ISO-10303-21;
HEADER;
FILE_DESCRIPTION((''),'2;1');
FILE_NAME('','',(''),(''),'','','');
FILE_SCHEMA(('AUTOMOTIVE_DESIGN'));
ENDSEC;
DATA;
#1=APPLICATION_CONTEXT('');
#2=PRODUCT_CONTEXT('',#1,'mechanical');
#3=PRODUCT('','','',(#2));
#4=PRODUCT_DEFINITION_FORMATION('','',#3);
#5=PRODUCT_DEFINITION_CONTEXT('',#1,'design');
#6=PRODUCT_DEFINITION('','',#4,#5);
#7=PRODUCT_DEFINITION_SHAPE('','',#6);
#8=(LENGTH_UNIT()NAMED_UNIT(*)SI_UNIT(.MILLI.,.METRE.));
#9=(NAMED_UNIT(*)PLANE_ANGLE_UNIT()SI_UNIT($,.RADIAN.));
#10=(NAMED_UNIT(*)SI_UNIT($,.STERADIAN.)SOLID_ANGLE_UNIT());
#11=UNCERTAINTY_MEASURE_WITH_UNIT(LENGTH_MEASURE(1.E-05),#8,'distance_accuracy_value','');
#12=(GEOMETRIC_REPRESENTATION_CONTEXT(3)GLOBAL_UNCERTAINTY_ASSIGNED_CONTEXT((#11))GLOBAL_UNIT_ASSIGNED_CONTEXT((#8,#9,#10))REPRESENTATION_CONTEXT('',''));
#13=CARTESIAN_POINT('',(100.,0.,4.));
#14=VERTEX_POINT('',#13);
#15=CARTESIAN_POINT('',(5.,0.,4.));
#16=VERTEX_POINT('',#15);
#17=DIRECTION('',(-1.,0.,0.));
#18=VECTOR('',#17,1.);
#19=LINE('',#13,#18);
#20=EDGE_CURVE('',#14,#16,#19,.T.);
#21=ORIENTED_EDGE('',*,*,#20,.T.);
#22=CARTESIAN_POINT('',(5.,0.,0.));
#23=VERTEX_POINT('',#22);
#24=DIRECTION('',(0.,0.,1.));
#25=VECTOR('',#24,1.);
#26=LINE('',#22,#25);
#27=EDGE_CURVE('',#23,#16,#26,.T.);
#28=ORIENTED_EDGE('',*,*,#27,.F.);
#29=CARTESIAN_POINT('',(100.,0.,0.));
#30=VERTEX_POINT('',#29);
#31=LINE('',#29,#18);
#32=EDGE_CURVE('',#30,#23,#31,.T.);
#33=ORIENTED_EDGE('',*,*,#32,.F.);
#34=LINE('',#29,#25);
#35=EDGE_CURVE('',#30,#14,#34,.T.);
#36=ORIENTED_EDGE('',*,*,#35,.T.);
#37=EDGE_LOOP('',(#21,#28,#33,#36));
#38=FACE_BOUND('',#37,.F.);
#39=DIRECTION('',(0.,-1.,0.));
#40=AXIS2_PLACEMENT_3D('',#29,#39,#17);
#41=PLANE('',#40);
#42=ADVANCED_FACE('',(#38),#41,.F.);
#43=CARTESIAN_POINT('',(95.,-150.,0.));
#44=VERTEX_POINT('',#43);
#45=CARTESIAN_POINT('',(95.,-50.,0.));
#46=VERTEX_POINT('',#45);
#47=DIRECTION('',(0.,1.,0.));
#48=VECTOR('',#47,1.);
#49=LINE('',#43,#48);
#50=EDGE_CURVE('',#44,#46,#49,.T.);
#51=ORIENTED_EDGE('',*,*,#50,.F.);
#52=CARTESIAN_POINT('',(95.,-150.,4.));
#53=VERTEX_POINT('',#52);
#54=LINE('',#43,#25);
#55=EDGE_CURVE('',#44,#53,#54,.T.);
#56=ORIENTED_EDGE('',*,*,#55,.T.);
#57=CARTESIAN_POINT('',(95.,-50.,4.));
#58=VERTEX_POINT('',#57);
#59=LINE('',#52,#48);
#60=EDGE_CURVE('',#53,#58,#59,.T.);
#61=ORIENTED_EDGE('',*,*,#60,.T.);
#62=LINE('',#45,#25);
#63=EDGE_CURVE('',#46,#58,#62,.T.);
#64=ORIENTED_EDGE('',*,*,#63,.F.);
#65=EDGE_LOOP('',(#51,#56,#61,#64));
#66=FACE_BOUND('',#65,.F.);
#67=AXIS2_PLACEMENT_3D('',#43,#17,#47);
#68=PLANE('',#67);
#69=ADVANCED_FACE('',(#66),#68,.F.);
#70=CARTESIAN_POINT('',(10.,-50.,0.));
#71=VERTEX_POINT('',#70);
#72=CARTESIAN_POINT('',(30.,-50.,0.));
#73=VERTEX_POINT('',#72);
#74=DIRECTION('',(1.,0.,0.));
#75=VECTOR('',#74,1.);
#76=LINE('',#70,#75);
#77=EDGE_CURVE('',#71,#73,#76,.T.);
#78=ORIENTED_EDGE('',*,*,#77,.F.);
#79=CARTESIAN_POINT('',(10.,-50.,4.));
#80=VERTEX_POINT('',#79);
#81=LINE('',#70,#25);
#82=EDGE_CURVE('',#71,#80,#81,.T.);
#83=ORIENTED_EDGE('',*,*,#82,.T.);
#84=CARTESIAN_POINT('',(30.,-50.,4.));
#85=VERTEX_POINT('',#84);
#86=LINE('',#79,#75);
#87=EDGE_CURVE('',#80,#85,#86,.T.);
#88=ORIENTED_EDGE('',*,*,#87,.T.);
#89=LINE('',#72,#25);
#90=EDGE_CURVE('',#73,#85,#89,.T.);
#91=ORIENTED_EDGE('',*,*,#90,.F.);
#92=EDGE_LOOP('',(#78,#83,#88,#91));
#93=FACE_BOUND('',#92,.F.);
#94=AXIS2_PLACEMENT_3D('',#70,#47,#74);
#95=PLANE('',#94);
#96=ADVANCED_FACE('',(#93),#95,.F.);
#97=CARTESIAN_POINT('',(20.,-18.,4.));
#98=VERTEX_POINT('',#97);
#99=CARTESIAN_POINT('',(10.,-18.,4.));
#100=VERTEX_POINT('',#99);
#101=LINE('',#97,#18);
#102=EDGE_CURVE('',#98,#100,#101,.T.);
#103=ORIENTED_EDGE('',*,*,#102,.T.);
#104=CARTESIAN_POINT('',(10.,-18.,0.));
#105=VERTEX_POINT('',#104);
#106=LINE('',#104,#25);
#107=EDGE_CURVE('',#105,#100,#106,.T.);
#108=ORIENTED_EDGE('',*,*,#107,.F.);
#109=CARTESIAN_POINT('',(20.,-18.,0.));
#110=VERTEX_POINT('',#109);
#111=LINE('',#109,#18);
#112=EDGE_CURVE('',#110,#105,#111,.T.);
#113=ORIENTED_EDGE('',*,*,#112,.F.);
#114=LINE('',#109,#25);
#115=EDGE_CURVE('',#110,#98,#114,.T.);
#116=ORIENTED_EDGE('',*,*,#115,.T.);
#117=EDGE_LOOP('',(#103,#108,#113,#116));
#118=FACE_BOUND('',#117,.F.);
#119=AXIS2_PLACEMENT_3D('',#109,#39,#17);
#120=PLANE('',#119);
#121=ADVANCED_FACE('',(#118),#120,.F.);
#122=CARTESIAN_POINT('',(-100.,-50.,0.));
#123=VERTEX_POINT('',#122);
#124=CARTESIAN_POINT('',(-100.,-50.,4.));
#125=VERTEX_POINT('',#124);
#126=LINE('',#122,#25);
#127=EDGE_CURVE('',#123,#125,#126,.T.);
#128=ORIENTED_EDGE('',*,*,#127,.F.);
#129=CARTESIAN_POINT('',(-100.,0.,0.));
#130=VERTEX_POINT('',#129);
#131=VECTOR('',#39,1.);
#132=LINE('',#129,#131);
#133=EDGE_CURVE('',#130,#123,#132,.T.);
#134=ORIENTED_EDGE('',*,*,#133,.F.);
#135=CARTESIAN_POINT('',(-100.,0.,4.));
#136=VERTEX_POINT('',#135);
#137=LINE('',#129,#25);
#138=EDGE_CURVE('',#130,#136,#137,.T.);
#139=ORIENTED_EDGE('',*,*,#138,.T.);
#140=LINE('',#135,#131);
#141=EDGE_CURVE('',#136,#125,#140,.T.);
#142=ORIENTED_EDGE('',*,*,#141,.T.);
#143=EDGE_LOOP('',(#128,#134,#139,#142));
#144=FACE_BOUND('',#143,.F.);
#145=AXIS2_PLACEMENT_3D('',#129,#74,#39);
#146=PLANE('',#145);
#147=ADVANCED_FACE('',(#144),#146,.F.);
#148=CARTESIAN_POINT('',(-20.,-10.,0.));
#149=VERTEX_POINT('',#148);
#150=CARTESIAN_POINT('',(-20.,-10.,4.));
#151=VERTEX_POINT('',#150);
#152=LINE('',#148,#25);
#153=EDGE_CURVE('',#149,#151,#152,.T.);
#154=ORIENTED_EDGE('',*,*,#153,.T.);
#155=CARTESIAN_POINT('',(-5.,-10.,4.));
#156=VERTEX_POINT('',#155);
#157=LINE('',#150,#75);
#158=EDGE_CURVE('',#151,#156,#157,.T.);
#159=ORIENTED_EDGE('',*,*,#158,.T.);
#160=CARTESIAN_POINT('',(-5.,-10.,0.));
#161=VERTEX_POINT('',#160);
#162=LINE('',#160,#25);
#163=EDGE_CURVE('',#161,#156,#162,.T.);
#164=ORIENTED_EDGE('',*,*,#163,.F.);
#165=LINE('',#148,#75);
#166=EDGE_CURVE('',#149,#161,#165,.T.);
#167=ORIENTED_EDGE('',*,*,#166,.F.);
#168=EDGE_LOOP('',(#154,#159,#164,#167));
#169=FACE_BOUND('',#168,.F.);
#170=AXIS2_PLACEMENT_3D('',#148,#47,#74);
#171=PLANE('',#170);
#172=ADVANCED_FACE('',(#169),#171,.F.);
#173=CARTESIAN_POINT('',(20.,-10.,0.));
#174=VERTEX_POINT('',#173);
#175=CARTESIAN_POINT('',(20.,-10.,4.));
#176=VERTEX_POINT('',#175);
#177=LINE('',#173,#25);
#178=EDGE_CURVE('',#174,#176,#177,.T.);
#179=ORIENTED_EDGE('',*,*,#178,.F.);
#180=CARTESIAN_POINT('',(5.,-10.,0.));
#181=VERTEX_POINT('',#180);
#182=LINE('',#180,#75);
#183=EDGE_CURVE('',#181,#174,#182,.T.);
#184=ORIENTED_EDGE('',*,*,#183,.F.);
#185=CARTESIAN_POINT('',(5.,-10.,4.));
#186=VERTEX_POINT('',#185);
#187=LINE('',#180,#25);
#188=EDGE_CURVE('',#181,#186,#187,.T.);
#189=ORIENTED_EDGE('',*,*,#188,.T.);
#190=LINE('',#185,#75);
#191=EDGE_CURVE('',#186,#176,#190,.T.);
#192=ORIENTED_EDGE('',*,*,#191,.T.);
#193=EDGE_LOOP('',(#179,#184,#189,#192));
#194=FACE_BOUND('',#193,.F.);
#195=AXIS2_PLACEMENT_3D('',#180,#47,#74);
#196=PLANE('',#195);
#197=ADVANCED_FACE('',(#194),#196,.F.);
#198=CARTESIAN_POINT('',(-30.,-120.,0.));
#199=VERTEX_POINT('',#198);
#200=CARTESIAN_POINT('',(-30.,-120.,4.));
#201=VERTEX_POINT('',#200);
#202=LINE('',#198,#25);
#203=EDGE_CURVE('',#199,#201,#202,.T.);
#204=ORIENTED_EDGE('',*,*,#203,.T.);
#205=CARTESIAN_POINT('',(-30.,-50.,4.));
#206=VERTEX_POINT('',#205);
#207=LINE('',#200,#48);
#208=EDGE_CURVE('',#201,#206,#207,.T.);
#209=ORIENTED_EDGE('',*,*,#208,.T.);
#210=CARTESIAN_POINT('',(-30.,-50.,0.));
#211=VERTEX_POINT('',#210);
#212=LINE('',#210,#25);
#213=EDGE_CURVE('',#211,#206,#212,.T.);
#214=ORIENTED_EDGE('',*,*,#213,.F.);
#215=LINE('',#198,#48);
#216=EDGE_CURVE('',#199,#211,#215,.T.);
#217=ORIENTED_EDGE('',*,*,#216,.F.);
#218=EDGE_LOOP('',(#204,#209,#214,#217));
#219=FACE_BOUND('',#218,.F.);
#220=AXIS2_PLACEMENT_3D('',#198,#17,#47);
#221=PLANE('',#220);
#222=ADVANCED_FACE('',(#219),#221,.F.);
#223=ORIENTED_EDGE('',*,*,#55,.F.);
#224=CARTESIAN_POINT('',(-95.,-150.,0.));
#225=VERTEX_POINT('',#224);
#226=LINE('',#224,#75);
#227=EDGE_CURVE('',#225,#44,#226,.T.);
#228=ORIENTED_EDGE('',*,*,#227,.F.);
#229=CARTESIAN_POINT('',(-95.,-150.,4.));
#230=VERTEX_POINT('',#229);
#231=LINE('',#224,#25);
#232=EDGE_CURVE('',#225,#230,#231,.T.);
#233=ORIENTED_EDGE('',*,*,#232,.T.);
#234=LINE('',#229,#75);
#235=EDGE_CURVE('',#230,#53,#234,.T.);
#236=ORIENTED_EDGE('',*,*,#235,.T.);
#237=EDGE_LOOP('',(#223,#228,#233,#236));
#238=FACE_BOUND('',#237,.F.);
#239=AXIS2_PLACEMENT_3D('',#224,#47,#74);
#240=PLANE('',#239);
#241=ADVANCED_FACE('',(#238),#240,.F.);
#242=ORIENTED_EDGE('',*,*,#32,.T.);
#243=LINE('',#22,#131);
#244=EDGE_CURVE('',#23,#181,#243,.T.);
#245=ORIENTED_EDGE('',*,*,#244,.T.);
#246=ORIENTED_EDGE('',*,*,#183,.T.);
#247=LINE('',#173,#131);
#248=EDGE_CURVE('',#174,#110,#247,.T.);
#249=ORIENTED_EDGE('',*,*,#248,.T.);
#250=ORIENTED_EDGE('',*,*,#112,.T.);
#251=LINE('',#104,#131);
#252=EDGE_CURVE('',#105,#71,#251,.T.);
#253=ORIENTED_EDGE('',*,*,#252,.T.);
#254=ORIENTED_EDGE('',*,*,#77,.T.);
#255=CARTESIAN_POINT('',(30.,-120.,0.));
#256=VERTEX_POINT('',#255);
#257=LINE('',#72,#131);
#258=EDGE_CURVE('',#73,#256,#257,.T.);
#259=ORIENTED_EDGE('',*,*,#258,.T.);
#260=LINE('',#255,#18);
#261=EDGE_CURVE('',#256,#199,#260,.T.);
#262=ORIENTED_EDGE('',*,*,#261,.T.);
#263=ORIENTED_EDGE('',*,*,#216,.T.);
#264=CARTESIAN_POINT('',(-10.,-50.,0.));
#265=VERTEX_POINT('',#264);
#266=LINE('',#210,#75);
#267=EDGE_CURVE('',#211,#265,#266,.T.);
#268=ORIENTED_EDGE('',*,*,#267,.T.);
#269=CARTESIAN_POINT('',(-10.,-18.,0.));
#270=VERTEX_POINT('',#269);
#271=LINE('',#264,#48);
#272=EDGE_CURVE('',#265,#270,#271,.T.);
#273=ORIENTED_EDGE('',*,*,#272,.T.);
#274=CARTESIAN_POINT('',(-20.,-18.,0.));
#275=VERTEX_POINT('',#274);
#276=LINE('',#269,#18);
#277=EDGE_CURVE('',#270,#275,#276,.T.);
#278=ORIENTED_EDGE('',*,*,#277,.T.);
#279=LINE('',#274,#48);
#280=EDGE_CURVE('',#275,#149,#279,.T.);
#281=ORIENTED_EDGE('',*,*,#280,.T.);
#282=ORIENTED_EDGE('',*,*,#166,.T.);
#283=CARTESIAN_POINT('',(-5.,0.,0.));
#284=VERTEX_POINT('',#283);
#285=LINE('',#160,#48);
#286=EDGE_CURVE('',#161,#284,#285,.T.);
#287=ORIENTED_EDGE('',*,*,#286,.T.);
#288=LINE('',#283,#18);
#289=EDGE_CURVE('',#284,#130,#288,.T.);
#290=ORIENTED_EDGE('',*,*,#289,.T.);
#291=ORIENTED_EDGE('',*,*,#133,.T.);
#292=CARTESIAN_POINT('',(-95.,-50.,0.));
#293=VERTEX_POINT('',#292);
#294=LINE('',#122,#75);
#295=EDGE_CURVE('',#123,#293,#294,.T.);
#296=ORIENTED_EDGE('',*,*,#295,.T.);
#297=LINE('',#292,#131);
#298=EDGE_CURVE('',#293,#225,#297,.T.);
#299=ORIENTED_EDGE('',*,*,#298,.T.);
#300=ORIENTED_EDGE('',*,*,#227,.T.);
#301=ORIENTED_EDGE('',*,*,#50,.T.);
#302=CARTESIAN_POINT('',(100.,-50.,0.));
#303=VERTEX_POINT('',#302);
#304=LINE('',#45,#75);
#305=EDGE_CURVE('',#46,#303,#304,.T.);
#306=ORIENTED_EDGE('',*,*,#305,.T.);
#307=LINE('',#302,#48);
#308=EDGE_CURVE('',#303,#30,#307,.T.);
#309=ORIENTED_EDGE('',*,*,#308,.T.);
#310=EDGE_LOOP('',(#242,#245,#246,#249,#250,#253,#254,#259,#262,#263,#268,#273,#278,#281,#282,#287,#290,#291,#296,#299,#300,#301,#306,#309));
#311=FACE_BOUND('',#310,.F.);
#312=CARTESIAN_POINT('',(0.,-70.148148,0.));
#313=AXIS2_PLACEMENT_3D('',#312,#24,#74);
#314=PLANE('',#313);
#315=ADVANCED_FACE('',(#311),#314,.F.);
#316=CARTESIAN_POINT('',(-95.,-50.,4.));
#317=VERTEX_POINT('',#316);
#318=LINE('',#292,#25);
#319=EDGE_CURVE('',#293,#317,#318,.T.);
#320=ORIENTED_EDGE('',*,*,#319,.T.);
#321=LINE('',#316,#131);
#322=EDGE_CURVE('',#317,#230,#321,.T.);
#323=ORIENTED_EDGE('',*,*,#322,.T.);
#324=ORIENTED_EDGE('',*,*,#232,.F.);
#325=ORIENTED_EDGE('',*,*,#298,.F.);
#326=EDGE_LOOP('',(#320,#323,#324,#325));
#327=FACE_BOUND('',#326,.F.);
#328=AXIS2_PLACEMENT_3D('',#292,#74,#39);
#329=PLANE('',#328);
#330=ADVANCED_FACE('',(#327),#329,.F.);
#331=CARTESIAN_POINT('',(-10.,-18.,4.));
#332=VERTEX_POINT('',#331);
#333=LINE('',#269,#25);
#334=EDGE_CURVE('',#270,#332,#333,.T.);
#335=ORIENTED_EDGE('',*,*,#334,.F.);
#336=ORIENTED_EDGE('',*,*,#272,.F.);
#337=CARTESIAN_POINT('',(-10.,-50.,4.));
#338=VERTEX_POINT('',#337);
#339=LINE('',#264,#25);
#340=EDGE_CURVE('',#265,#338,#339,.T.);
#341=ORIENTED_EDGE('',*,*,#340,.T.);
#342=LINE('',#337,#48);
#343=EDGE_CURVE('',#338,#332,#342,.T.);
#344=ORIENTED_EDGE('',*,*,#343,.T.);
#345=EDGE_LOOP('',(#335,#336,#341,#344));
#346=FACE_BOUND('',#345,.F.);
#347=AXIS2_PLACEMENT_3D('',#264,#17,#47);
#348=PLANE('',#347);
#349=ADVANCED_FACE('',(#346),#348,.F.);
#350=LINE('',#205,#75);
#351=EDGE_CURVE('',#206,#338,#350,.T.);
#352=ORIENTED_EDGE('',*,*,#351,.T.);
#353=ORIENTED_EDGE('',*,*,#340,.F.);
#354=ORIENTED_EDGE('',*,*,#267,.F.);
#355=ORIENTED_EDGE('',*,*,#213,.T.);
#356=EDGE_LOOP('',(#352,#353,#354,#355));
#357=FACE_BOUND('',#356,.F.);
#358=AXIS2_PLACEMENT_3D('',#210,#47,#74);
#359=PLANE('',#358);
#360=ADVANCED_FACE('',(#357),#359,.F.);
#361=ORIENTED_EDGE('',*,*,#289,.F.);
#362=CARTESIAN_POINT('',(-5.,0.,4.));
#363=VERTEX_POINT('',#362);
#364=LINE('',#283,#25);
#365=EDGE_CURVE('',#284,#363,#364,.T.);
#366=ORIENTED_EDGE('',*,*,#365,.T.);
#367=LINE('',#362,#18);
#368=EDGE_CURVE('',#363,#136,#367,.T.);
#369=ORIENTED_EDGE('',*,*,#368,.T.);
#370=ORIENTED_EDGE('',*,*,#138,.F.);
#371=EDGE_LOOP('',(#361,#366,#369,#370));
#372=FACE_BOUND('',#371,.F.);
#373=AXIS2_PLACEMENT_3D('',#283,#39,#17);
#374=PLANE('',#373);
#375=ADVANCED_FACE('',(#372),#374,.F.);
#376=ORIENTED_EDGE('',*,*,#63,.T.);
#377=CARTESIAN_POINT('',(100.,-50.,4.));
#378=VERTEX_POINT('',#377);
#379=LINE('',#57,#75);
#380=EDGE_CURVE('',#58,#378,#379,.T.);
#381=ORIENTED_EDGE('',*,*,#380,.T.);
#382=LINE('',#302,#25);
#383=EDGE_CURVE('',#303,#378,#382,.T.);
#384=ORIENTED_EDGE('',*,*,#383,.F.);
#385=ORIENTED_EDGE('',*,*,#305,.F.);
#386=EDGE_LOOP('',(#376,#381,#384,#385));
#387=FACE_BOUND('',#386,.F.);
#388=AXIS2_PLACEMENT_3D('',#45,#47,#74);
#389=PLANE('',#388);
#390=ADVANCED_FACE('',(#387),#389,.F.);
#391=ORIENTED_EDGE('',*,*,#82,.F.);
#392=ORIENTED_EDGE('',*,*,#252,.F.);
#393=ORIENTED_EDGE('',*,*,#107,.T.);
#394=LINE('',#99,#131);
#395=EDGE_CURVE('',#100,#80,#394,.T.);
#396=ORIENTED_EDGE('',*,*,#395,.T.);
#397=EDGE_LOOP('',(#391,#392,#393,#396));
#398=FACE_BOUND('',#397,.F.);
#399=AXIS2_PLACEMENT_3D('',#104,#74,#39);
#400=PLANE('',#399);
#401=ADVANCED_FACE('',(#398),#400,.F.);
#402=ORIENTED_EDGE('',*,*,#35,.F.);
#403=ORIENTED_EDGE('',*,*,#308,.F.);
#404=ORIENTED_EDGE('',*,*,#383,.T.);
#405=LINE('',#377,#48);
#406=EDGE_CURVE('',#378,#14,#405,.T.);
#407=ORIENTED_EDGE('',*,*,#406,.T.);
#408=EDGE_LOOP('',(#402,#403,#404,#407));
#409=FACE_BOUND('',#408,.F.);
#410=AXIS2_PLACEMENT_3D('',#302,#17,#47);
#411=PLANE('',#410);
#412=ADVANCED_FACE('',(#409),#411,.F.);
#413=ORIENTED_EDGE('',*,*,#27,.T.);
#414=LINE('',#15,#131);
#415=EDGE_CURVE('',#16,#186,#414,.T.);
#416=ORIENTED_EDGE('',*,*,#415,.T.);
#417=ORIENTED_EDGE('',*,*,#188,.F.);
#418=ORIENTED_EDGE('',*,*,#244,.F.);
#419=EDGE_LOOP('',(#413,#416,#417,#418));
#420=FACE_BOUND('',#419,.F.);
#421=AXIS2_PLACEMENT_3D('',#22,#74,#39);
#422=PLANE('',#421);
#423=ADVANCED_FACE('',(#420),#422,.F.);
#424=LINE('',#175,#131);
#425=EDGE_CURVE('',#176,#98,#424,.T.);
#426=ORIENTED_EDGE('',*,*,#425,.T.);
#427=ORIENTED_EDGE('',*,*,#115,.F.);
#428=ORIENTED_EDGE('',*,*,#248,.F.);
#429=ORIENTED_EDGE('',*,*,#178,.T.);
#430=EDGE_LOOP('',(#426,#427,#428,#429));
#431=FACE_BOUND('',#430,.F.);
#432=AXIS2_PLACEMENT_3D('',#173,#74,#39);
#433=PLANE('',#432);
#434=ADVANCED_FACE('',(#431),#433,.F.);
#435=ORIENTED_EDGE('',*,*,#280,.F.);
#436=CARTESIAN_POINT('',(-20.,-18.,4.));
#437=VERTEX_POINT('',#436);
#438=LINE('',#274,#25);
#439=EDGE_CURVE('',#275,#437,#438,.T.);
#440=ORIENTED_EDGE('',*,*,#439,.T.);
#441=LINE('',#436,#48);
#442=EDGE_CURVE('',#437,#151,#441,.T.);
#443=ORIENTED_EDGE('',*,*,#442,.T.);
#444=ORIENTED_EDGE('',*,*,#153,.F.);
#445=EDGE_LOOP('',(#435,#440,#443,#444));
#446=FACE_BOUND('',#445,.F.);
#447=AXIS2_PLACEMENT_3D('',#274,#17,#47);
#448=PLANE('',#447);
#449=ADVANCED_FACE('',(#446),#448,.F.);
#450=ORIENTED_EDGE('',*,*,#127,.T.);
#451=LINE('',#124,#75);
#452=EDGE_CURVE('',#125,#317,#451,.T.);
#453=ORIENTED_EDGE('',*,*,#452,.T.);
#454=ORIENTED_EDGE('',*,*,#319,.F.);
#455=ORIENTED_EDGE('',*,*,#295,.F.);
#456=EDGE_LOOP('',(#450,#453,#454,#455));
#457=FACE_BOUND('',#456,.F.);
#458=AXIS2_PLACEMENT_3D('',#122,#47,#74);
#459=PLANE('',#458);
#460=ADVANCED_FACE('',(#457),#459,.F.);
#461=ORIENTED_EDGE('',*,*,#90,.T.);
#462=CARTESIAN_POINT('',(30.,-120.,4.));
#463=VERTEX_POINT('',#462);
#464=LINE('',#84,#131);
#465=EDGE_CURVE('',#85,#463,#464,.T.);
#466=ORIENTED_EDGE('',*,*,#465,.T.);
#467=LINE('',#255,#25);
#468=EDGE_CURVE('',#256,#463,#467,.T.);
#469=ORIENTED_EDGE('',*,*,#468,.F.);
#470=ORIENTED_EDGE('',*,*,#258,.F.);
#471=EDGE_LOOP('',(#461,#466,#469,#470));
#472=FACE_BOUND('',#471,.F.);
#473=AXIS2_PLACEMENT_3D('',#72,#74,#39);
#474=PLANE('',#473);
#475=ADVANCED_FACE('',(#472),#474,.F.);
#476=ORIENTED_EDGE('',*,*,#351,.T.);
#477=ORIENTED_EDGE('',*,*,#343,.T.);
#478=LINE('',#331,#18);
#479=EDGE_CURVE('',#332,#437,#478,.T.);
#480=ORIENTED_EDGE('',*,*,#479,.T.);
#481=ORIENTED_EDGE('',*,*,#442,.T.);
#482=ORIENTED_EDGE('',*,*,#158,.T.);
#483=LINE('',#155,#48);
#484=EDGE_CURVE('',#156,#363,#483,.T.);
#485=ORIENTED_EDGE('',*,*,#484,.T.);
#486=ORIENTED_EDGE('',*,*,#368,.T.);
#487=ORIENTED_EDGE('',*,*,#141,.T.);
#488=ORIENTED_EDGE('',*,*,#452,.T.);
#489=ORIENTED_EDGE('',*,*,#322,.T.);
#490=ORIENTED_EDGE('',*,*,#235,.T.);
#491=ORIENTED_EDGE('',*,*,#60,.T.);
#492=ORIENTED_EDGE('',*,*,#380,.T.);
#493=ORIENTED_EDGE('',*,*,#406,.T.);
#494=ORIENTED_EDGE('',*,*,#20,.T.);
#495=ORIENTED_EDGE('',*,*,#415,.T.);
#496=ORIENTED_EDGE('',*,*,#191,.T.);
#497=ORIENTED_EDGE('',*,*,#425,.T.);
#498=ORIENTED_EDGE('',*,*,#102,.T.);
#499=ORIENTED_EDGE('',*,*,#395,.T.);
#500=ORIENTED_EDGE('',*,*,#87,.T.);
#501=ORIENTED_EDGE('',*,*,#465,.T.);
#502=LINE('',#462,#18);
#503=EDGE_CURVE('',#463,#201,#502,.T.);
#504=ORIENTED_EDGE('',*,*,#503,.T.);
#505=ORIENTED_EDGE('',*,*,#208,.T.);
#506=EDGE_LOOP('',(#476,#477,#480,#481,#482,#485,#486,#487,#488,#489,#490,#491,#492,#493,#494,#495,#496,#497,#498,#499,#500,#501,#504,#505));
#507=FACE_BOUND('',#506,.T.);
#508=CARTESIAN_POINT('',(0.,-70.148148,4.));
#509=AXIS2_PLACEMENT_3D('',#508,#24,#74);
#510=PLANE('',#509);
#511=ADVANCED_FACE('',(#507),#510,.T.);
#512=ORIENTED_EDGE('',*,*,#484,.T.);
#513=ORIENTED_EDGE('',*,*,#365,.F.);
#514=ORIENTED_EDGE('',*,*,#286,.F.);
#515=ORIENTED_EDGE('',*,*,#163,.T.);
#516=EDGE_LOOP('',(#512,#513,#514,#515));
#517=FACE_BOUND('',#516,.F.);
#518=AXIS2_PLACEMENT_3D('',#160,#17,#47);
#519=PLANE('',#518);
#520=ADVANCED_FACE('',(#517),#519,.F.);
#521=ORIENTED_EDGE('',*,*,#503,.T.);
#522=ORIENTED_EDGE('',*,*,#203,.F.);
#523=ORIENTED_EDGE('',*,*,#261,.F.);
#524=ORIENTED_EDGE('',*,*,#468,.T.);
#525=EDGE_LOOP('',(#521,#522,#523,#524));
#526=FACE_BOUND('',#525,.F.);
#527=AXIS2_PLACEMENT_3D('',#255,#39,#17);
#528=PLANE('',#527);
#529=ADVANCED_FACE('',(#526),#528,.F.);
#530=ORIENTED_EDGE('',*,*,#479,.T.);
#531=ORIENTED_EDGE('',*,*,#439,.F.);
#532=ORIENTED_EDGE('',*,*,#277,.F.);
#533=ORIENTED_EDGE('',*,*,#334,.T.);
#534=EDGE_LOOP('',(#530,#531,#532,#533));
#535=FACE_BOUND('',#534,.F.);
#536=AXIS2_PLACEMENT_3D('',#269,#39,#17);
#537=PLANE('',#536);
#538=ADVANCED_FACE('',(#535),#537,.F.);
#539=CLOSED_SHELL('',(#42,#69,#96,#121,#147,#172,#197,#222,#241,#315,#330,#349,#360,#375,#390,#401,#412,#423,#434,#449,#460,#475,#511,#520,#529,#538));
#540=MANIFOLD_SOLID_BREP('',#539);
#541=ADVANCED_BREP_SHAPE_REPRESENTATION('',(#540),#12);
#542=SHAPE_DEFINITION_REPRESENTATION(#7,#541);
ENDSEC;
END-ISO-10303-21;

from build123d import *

# Parameters (mm, degrees)
F1_DEPTH = 4


with BuildPart() as f1:
    # F0 (on Top) → F1 (new body)
    with BuildSketch(Plane.XY):
        Polygon((5, -10), (20, -10), (20, -18), (10, -18), (10, -50), (30, -50), (30, -120), (-30, -120), (-30, -50), (-10, -50), (-10, -18), (-20, -18), (-20, -10), (-5, -10), (-5, 0), (-100, 0), (-100, -50), (-95, -50), (-95, -150), (95, -150), (95, -50), (100, -50), (100, 0), (5, 0), align=None)
    extrude(amount=F1_DEPTH)


solid = f1.part
